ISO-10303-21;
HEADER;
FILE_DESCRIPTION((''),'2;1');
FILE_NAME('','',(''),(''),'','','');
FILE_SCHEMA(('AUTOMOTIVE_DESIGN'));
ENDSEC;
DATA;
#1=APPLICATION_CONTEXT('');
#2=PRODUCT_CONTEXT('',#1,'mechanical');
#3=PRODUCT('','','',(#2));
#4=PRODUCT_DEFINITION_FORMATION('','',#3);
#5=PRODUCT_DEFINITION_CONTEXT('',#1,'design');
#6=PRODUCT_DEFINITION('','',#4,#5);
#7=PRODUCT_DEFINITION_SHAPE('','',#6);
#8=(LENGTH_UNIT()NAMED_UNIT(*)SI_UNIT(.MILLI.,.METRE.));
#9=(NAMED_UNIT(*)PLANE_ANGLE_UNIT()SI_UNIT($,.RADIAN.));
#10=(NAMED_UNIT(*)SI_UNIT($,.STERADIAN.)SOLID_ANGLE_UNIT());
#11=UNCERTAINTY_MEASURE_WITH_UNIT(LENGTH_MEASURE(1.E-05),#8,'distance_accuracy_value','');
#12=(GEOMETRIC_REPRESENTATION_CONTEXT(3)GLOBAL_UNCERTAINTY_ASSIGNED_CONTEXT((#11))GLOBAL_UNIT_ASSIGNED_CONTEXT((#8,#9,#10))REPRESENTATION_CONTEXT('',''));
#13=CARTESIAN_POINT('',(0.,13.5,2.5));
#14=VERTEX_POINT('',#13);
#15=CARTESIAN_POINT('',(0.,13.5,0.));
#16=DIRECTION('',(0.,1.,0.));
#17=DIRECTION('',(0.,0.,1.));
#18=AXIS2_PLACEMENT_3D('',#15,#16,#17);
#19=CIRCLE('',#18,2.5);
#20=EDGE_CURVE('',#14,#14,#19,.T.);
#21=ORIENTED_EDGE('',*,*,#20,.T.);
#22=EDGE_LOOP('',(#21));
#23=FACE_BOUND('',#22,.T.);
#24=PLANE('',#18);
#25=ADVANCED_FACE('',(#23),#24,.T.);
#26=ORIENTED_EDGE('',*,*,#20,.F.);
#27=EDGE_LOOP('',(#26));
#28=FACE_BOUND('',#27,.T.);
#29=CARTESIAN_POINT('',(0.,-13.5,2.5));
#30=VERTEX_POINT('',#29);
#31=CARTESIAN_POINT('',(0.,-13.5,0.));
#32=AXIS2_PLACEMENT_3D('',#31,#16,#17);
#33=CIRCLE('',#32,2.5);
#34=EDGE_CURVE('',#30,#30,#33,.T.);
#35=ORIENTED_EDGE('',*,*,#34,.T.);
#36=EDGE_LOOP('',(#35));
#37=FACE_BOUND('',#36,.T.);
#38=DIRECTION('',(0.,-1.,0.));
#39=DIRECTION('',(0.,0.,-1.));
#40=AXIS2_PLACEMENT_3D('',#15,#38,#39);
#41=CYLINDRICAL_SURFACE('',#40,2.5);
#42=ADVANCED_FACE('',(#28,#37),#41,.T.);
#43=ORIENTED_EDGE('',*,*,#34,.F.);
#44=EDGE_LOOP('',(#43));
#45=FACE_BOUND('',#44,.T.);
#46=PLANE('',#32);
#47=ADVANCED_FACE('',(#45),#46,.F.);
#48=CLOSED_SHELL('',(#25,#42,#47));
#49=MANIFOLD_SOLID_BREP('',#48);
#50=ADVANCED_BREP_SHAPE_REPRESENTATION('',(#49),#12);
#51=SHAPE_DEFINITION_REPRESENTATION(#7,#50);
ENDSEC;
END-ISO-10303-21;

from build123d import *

# Parameters (mm, degrees)
SKETCH1_R           = 2.5
BOSS_EXTRUDE1_DEPTH = 13.5


with BuildPart() as part:
    # Sketch1 → Boss-Extrude1 (new body, symmetric)
    with BuildSketch(Plane(origin=(0, 0, 0), x_dir=(1, 0, 0), z_dir=(0, 1, 0))):
        Circle(SKETCH1_R)
    extrude(amount=BOSS_EXTRUDE1_DEPTH, both=True)


solid = part.part
